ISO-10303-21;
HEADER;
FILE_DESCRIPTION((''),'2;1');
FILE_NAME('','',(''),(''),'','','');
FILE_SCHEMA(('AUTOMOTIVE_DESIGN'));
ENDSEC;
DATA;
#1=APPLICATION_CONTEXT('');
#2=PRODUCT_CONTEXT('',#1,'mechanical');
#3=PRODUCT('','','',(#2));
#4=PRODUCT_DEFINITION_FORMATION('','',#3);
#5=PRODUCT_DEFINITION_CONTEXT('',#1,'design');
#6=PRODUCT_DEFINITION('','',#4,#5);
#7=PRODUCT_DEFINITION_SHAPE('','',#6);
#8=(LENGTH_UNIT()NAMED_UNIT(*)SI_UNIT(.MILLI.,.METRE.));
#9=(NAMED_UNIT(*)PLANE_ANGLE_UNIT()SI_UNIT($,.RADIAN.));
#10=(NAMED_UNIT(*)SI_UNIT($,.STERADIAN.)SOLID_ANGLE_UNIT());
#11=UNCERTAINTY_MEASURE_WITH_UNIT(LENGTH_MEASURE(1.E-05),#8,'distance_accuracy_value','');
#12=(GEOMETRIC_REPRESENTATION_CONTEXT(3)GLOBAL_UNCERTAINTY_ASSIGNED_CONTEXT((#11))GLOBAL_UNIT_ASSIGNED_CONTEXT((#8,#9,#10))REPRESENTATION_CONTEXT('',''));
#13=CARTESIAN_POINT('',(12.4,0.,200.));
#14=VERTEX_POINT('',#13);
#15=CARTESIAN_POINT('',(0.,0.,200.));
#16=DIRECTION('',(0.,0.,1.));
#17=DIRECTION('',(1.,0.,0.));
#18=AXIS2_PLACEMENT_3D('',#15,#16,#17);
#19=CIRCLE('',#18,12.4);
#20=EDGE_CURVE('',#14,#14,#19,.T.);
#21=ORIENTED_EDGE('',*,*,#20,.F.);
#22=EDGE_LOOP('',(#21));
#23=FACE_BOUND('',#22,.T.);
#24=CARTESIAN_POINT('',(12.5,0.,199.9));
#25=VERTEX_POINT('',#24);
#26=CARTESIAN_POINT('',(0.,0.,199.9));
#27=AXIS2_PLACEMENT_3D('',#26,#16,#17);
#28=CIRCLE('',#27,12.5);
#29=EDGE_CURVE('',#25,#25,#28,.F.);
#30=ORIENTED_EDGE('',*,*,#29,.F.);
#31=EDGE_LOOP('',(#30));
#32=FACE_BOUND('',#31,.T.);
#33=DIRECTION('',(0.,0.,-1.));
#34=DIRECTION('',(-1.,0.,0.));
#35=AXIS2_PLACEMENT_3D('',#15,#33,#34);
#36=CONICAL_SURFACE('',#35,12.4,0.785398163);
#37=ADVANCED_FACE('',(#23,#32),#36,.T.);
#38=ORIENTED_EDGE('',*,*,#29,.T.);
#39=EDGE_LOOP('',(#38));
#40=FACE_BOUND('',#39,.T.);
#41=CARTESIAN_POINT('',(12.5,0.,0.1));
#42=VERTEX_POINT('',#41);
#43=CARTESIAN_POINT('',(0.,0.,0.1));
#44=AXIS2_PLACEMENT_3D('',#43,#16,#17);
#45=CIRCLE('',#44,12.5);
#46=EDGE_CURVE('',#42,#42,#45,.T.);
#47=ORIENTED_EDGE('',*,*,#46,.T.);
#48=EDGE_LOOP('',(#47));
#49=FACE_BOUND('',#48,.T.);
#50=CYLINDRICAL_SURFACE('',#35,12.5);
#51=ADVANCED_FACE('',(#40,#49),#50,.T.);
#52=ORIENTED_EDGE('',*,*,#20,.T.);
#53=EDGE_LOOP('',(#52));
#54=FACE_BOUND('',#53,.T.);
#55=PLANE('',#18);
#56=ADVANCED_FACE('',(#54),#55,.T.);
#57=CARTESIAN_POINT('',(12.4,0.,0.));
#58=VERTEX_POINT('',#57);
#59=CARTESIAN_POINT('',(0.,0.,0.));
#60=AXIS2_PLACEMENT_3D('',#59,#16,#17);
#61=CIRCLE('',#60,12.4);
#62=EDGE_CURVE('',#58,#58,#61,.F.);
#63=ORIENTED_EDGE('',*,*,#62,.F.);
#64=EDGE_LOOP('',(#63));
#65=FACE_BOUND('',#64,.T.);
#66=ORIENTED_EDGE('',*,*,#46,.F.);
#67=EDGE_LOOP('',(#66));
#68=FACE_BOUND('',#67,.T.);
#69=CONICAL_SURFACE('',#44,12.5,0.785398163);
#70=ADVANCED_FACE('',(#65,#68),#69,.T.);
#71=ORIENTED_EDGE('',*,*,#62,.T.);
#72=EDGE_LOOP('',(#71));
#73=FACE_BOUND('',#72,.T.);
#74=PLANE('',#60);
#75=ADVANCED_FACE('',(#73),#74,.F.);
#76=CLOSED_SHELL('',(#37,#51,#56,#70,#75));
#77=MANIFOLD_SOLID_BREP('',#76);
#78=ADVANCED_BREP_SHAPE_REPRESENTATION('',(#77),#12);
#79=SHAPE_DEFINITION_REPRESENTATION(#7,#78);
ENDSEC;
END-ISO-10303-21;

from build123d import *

# Parameters (mm, degrees)
SKETCH_1_R      = 12.5
EXTRUDE_1_DEPTH = 200
CHAMFER_1_SIZE  = 0.1


with BuildPart() as part:
    # Эскиз1 → Бобышка-Вытянуть1 (new body)
    with BuildSketch(Plane.XY):
        Circle(SKETCH_1_R)
    extrude(amount=EXTRUDE_1_DEPTH)

    # Фаска1
    chamfer_1_edges = [part.edges().sort_by_distance(p)[0] for p in [
        (-12.5, 0, 0),
        (-12.5, 0, 200),
    ]]
    chamfer(chamfer_1_edges, length=CHAMFER_1_SIZE)


solid = part.part
